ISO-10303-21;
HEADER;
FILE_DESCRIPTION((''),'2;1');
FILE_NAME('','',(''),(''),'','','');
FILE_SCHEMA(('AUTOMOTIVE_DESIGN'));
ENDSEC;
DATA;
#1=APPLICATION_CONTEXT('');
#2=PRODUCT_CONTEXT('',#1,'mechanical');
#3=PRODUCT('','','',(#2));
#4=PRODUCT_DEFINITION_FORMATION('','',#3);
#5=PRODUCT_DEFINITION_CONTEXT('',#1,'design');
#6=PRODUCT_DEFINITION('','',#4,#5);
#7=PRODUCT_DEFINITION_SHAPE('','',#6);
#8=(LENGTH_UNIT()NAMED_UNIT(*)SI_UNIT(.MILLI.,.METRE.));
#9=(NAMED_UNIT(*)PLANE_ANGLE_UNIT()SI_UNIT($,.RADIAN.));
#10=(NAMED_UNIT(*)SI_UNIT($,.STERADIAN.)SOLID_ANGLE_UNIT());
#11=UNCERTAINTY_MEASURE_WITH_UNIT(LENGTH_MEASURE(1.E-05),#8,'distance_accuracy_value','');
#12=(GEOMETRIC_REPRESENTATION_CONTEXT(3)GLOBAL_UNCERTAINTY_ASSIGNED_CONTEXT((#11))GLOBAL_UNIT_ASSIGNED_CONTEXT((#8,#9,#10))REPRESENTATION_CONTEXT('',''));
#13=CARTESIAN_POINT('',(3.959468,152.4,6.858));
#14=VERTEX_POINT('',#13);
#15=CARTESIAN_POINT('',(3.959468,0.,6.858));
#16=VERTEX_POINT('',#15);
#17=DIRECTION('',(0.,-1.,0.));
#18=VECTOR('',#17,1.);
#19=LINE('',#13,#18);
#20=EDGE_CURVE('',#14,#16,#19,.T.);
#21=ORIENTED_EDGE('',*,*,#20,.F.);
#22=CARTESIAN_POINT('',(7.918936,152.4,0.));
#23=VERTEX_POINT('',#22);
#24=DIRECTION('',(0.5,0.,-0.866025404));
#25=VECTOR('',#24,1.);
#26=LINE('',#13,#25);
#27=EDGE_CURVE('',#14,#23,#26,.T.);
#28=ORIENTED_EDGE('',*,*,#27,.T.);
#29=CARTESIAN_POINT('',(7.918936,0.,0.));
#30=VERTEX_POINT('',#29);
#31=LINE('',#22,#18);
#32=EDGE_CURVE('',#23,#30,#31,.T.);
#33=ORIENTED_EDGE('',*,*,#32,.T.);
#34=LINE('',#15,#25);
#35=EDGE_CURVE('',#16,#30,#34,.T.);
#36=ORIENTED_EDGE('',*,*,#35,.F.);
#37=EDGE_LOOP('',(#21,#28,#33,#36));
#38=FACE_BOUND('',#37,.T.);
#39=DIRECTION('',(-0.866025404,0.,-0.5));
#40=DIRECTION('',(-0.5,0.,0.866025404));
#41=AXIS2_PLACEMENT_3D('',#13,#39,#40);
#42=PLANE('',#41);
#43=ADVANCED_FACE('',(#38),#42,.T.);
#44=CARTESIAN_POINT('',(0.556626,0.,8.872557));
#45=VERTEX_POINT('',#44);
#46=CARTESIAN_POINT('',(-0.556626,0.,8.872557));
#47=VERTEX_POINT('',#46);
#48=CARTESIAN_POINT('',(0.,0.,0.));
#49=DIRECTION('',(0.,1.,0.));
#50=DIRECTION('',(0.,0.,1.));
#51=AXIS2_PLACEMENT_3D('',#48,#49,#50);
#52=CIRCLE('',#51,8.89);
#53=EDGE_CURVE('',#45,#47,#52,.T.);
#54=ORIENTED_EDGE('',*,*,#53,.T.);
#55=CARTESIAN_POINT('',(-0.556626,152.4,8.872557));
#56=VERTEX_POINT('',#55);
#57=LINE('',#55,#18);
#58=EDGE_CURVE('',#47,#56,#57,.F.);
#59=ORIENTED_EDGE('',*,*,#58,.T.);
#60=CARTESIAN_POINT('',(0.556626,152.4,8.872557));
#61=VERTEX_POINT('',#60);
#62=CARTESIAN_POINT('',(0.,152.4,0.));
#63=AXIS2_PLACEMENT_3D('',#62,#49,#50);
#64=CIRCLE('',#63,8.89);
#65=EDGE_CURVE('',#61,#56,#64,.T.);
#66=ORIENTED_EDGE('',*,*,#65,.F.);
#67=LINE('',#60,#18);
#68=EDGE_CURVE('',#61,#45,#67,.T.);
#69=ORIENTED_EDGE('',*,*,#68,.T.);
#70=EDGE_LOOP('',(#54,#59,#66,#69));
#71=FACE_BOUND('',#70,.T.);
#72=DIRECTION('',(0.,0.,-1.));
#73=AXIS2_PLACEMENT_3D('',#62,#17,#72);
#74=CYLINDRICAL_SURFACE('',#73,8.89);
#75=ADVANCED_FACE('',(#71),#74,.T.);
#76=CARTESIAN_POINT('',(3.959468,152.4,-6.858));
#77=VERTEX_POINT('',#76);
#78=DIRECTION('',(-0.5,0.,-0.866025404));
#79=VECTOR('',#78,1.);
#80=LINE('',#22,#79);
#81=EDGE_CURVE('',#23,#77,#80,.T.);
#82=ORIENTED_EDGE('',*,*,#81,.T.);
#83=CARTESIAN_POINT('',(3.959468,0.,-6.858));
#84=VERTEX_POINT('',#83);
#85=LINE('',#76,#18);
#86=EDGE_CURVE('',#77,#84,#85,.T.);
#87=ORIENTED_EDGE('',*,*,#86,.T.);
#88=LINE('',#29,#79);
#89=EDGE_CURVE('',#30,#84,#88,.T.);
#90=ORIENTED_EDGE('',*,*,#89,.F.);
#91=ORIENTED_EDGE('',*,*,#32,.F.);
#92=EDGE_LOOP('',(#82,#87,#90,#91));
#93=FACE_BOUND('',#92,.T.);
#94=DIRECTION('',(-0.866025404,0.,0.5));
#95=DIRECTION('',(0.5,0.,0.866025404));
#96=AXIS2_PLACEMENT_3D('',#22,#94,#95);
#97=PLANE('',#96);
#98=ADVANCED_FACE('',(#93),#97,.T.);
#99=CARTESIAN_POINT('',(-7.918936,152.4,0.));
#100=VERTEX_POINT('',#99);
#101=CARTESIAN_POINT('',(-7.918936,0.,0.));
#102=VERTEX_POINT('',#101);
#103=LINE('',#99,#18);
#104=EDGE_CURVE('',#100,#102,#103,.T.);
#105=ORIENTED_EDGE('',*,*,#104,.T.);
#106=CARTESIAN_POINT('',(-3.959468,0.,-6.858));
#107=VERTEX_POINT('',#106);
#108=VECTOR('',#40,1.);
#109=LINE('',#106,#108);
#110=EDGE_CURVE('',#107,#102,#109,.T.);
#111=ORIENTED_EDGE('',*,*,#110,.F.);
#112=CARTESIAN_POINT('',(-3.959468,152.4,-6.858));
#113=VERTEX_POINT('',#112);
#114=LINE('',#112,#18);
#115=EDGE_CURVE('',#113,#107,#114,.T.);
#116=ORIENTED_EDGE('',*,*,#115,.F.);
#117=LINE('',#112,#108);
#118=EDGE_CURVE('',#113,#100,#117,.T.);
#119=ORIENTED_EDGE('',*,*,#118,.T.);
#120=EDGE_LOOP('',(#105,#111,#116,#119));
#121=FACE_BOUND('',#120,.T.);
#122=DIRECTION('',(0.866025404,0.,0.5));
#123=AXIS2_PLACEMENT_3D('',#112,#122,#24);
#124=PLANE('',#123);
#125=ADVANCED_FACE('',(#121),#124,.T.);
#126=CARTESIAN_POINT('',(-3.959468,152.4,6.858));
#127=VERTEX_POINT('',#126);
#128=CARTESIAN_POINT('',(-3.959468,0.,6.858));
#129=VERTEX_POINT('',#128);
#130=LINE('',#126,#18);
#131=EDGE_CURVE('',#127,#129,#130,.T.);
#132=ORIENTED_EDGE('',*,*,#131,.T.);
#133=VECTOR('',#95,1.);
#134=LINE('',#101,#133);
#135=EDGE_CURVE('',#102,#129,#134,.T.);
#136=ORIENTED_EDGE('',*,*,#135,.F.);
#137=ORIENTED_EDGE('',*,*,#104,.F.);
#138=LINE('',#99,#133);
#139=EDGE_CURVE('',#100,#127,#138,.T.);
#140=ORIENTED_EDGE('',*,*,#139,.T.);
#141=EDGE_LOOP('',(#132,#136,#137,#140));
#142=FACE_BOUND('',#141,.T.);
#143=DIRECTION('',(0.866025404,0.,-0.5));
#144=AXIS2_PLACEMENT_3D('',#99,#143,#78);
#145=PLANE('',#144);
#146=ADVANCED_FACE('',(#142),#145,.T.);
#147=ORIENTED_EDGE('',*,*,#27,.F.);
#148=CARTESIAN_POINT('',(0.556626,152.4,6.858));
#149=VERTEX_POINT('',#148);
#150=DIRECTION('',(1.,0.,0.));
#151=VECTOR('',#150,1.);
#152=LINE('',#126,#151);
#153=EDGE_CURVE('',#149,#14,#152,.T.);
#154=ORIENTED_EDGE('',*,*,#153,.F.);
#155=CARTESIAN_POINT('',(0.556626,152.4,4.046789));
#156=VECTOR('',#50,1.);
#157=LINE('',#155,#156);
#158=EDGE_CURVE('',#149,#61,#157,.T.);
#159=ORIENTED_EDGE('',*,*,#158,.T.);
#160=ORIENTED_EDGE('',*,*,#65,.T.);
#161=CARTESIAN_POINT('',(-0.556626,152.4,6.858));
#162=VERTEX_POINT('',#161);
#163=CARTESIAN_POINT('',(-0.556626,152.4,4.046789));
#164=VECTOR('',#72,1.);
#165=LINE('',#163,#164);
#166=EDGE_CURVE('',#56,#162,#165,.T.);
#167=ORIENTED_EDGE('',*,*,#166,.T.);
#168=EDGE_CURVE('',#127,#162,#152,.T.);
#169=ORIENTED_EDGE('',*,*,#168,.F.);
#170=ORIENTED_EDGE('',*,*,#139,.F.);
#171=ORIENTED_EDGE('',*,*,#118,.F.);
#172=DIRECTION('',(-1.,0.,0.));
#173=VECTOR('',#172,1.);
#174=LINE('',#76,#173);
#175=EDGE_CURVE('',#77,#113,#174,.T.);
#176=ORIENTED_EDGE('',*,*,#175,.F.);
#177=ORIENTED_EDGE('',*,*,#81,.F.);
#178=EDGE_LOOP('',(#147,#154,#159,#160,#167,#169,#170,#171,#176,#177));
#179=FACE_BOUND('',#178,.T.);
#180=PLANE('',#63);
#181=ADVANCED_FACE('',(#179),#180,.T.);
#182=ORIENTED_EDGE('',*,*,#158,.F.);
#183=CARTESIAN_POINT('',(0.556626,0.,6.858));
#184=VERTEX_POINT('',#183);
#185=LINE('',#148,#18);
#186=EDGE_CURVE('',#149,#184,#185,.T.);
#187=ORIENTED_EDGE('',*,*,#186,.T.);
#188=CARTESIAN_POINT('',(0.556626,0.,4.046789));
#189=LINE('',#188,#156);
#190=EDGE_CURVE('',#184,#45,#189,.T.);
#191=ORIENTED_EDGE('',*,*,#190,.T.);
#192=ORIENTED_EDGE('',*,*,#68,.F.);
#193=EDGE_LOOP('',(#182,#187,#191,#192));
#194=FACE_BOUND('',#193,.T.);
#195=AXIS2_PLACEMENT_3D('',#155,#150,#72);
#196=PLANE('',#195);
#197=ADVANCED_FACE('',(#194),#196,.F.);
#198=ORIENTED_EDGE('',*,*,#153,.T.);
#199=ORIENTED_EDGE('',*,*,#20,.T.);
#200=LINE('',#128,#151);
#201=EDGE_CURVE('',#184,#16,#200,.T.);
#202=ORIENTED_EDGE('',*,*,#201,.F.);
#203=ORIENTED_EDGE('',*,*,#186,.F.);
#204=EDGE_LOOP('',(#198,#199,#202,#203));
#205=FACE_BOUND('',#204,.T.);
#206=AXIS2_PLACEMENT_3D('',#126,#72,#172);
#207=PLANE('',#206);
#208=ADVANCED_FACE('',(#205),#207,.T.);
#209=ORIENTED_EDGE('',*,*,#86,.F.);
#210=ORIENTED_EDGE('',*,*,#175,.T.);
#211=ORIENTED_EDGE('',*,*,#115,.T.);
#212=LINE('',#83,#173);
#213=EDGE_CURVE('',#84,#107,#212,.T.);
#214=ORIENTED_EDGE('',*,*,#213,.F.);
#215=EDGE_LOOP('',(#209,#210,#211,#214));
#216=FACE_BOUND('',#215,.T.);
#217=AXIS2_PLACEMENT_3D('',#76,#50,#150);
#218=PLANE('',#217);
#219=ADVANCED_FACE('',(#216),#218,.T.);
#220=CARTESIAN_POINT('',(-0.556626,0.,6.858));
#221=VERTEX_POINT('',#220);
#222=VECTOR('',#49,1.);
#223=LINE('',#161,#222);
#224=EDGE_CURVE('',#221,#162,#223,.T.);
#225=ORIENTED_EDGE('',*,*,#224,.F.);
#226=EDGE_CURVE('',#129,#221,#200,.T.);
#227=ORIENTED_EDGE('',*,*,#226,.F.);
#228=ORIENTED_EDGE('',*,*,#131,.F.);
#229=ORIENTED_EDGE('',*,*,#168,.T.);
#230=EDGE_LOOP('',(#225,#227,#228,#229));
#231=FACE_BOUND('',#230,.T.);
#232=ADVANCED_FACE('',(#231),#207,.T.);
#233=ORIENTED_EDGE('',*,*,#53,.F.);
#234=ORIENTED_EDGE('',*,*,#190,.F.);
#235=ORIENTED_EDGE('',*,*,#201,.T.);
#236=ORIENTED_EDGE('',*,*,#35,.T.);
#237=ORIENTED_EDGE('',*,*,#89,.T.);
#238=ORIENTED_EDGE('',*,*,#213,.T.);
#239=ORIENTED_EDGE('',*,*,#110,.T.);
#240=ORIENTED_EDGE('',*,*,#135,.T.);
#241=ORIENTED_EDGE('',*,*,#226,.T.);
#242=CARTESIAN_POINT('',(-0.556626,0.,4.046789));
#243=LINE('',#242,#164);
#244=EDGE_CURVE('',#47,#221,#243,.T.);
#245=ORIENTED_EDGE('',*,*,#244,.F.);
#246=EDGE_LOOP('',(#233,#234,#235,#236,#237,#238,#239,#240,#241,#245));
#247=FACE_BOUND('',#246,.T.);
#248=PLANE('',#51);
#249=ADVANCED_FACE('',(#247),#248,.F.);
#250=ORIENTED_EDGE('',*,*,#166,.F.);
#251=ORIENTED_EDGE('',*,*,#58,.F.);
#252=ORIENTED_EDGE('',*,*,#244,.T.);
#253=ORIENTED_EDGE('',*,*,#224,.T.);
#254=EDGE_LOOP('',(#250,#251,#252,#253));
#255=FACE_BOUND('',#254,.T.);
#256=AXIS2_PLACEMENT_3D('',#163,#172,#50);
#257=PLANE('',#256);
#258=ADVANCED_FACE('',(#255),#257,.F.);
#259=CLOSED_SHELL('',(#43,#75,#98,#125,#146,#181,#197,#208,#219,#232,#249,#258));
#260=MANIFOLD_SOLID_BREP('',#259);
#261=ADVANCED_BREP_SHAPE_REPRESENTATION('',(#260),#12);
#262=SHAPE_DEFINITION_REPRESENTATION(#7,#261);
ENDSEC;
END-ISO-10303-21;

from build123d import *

# Parameters (mm, degrees)
SKETCH1_R           = 8.89
BOSS_EXTRUDE1_DEPTH = 152.4
SKETCH2_W           = 1.113251556
SKETCH2_H           = 8.614313674
CUT_EXTRUDE1_DEPTH  = 153.917704011


with BuildPart() as part:
    # Sketch1 → Boss-Extrude1 (new body)
    with BuildSketch(Plane(origin=(0, 0, 0), x_dir=(1, 0, 0), z_dir=(0, 1, 0))):
        with Locations(Location((0, 0, 0), (0, 0, 90))):
            Circle(SKETCH1_R)
        Polygon((3.959468146, -6.858), (7.918936292, 0), (3.959468146, 6.858), (-3.959468146, 6.858), (-7.918936292, 0), (-3.959468146, -6.858), align=None, mode=Mode.SUBTRACT)
    extrude(amount=BOSS_EXTRUDE1_DEPTH)

    # Sketch2 → Cut-Extrude1 (cut, through all)
    with BuildSketch(Plane(origin=(0, 0, 0), x_dir=(-1, 0, 0), z_dir=(0, -1, 0))):
        with Locations((0, -8.353945441)):
            Rectangle(SKETCH2_W, SKETCH2_H)
    extrude(amount=-CUT_EXTRUDE1_DEPTH, mode=Mode.SUBTRACT)


solid = part.part
